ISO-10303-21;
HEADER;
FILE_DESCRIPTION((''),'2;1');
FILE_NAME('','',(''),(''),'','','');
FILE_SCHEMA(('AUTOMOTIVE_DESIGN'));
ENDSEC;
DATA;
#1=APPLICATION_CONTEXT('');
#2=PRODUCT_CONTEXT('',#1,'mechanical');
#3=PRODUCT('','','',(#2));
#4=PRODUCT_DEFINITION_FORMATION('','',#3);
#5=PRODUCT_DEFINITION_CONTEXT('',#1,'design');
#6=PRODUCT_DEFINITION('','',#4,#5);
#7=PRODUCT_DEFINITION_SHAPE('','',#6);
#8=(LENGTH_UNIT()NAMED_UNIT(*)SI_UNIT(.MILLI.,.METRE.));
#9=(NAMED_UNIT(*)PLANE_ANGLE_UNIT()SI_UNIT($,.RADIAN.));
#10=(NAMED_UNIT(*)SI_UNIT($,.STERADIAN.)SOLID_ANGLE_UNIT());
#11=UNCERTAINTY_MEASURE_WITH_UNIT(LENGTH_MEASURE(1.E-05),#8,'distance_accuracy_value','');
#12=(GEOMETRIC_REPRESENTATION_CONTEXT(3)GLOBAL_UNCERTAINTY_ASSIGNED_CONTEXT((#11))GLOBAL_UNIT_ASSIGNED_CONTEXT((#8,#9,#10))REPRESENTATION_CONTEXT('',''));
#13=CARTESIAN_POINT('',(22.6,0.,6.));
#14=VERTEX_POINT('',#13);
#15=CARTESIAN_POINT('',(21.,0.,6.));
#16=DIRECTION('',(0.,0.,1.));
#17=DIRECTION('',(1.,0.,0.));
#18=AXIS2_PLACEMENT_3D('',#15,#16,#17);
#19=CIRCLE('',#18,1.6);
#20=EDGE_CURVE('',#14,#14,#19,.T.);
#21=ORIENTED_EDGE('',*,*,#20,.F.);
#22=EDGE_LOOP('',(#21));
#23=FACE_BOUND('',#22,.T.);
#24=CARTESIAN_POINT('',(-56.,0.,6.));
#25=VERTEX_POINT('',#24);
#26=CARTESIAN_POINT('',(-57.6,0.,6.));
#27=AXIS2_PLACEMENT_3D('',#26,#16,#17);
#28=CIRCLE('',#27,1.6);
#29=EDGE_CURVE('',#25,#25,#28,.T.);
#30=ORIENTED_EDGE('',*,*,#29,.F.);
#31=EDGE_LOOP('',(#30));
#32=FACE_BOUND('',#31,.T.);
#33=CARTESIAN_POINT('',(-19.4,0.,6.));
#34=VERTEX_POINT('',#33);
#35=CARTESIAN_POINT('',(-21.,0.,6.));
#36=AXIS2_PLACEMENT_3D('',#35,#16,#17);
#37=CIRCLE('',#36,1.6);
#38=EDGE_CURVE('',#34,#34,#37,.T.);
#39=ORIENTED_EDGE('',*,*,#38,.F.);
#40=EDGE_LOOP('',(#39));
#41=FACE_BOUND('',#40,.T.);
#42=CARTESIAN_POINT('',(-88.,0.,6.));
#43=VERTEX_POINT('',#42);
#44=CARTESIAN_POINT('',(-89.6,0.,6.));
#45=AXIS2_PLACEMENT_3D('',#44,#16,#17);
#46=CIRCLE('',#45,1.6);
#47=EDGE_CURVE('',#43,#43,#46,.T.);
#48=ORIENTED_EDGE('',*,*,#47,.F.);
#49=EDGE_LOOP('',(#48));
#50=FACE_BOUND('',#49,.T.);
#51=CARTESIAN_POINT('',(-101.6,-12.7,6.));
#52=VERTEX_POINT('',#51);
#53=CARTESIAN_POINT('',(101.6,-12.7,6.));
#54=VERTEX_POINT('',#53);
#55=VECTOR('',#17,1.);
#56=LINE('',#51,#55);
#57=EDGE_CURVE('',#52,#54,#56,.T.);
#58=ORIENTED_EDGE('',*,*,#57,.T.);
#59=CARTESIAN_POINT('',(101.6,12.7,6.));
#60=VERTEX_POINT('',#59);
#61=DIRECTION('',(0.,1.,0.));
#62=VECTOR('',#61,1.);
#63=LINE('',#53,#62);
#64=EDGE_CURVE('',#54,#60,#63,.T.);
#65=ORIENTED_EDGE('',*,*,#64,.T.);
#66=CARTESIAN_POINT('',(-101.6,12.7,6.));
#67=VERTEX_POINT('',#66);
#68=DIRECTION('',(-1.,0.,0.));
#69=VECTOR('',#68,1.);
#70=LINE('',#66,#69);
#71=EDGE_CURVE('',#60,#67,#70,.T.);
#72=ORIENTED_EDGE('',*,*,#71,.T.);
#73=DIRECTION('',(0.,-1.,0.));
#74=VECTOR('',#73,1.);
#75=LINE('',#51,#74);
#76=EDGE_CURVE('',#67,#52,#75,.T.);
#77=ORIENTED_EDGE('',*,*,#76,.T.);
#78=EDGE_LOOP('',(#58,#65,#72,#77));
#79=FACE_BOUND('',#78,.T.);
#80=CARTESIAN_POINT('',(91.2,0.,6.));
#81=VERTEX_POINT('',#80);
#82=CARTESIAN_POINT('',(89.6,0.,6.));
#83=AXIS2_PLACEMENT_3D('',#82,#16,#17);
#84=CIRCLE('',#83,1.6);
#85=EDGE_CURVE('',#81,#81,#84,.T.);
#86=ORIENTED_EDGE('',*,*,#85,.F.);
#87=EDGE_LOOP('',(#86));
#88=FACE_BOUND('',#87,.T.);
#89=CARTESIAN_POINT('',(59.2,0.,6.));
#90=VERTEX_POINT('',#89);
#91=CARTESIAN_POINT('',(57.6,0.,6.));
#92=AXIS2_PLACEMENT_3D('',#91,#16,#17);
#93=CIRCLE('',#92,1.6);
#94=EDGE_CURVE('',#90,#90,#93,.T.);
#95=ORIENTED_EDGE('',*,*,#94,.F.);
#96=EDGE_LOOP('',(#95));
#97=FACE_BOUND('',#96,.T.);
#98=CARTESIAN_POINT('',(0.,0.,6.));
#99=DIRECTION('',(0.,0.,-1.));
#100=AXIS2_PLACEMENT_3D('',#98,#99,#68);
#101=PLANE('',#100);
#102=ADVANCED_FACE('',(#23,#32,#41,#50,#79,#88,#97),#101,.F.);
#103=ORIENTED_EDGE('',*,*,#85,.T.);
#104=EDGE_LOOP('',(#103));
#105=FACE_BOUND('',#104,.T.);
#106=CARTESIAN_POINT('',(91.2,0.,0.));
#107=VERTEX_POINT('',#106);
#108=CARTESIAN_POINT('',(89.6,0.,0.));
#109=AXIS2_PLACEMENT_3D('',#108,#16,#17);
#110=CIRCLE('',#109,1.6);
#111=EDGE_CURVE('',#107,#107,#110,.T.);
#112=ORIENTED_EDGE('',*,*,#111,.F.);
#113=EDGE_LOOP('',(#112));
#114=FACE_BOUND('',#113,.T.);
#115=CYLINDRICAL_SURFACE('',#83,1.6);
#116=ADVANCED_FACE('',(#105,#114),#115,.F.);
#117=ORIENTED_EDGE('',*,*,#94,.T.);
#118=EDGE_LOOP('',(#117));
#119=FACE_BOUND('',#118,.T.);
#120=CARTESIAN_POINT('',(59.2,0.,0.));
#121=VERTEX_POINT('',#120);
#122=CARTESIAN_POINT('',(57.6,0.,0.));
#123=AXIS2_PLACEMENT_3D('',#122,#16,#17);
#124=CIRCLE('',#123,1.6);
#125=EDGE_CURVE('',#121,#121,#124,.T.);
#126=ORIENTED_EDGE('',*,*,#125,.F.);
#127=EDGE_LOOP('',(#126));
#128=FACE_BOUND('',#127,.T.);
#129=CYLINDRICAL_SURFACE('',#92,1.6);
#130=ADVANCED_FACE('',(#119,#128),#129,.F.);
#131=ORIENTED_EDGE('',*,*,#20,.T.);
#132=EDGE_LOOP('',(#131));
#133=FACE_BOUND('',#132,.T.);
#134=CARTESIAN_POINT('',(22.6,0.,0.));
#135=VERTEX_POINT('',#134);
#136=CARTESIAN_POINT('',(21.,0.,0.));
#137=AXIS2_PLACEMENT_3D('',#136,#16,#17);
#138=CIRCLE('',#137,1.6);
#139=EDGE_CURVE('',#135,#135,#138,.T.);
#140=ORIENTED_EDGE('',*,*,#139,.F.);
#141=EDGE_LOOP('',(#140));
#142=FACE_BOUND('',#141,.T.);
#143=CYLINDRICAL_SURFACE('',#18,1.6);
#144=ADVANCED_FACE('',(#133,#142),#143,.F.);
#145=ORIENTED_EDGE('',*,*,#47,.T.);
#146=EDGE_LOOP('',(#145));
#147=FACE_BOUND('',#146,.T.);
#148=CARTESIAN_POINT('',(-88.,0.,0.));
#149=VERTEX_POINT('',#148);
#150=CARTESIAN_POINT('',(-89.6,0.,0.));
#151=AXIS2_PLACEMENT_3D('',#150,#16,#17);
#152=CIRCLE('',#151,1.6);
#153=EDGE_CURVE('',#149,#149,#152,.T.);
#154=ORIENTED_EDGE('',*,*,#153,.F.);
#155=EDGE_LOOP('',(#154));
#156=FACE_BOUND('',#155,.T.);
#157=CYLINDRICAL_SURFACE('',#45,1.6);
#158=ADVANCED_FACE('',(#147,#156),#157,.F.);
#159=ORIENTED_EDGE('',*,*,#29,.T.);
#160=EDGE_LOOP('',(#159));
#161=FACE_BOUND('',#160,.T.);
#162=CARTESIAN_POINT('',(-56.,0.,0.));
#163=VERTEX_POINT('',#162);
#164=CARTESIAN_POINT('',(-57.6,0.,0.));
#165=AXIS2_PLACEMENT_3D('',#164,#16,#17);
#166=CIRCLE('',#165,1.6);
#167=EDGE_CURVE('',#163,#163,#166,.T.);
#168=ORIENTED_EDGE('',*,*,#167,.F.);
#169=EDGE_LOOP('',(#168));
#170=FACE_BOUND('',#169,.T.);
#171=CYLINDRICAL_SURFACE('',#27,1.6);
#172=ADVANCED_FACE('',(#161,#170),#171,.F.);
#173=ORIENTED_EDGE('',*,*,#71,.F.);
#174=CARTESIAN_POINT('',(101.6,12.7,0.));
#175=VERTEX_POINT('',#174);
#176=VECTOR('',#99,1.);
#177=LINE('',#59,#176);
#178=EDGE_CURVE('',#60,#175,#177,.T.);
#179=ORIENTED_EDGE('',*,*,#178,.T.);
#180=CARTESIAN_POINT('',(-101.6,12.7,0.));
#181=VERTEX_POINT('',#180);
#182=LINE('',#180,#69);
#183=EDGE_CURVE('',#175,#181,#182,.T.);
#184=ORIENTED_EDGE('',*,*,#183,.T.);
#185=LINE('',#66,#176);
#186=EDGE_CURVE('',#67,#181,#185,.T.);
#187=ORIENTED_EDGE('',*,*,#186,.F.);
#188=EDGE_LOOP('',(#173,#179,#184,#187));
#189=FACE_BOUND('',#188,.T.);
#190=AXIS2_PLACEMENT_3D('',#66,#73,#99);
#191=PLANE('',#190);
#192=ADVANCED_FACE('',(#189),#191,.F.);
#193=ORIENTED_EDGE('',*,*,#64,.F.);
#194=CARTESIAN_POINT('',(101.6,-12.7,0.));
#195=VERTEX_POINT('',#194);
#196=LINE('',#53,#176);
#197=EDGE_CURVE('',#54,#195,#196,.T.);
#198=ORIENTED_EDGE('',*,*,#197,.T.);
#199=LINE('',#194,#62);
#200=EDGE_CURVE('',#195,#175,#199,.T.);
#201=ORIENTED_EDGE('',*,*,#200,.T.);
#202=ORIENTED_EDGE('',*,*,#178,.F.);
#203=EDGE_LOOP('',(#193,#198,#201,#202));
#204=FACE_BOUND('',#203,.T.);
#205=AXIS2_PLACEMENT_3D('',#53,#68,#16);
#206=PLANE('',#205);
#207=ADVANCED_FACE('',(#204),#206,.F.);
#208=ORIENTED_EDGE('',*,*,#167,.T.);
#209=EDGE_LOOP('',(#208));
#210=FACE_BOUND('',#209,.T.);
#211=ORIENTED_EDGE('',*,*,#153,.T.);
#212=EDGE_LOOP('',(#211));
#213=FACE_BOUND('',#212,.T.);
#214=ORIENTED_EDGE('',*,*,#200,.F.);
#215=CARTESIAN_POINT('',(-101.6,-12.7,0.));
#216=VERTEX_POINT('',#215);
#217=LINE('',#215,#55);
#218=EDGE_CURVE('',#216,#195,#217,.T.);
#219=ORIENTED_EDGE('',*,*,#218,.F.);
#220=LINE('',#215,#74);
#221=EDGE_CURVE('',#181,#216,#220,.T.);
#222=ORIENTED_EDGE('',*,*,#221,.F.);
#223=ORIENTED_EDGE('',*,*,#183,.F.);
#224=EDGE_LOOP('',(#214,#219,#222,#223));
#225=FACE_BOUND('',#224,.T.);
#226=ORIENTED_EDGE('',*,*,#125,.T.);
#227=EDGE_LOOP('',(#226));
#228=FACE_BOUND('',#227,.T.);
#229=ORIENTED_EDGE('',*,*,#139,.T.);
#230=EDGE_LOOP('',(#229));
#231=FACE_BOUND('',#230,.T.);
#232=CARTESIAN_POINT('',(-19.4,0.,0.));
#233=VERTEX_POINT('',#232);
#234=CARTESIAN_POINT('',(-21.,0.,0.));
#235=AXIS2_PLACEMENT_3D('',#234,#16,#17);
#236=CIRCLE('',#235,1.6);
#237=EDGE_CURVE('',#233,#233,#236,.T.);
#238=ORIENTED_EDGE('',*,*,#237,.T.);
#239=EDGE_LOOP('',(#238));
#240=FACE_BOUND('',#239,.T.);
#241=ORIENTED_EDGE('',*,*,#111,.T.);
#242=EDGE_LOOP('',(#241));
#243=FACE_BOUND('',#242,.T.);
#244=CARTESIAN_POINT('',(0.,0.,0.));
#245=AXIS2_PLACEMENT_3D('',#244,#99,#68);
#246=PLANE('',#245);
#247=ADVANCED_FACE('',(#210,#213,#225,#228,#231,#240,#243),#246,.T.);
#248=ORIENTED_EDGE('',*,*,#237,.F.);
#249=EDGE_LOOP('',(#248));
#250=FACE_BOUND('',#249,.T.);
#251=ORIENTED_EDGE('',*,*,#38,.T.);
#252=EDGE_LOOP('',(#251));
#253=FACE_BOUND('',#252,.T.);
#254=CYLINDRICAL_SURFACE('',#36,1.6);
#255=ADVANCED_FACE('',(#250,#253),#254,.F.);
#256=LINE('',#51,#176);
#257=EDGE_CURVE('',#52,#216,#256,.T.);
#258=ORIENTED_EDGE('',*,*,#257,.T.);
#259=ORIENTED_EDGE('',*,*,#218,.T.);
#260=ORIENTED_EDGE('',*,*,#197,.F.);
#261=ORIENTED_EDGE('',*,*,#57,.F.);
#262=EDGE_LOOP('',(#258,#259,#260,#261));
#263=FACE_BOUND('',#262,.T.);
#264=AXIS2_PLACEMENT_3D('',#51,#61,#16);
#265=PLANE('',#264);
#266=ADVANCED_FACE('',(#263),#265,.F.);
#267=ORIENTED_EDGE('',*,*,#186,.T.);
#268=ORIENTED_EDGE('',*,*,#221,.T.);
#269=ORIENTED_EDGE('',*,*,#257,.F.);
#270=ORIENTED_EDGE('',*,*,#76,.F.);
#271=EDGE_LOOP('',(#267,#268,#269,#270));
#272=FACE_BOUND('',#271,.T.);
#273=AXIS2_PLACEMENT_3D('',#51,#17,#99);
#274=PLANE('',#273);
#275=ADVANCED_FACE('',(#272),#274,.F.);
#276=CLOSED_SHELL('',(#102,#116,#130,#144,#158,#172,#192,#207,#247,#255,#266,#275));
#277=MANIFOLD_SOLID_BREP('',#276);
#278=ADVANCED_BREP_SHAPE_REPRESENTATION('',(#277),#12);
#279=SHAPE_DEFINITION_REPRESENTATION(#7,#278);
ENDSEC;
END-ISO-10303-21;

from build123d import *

# Parameters (mm, degrees)
ESQUISSE1_W        = 203.2
ESQUISSE1_H        = 25.4
BOSS_EXTRU_1_DEPTH = 6
D_GAGEMENT_M31_D   = 3.2


with BuildPart() as part:
    # Esquisse1 → Boss.-Extru.1 (new body)
    with BuildSketch(Plane.XY):
        Rectangle(ESQUISSE1_W, ESQUISSE1_H)
    extrude(amount=BOSS_EXTRU_1_DEPTH)

    # Dégagement M31 (through all)
    with Locations(Plane(origin=(89.6, 0, 6), x_dir=(1, 0, 0), z_dir=(0, 0, 1))):
        with Locations((0, 0), (-32, 0), (-68.6, 0), (-110.6, 0), (-147.2, 0), (-179.2, 0)):
            Hole(D_GAGEMENT_M31_D / 2)


solid = part.part
